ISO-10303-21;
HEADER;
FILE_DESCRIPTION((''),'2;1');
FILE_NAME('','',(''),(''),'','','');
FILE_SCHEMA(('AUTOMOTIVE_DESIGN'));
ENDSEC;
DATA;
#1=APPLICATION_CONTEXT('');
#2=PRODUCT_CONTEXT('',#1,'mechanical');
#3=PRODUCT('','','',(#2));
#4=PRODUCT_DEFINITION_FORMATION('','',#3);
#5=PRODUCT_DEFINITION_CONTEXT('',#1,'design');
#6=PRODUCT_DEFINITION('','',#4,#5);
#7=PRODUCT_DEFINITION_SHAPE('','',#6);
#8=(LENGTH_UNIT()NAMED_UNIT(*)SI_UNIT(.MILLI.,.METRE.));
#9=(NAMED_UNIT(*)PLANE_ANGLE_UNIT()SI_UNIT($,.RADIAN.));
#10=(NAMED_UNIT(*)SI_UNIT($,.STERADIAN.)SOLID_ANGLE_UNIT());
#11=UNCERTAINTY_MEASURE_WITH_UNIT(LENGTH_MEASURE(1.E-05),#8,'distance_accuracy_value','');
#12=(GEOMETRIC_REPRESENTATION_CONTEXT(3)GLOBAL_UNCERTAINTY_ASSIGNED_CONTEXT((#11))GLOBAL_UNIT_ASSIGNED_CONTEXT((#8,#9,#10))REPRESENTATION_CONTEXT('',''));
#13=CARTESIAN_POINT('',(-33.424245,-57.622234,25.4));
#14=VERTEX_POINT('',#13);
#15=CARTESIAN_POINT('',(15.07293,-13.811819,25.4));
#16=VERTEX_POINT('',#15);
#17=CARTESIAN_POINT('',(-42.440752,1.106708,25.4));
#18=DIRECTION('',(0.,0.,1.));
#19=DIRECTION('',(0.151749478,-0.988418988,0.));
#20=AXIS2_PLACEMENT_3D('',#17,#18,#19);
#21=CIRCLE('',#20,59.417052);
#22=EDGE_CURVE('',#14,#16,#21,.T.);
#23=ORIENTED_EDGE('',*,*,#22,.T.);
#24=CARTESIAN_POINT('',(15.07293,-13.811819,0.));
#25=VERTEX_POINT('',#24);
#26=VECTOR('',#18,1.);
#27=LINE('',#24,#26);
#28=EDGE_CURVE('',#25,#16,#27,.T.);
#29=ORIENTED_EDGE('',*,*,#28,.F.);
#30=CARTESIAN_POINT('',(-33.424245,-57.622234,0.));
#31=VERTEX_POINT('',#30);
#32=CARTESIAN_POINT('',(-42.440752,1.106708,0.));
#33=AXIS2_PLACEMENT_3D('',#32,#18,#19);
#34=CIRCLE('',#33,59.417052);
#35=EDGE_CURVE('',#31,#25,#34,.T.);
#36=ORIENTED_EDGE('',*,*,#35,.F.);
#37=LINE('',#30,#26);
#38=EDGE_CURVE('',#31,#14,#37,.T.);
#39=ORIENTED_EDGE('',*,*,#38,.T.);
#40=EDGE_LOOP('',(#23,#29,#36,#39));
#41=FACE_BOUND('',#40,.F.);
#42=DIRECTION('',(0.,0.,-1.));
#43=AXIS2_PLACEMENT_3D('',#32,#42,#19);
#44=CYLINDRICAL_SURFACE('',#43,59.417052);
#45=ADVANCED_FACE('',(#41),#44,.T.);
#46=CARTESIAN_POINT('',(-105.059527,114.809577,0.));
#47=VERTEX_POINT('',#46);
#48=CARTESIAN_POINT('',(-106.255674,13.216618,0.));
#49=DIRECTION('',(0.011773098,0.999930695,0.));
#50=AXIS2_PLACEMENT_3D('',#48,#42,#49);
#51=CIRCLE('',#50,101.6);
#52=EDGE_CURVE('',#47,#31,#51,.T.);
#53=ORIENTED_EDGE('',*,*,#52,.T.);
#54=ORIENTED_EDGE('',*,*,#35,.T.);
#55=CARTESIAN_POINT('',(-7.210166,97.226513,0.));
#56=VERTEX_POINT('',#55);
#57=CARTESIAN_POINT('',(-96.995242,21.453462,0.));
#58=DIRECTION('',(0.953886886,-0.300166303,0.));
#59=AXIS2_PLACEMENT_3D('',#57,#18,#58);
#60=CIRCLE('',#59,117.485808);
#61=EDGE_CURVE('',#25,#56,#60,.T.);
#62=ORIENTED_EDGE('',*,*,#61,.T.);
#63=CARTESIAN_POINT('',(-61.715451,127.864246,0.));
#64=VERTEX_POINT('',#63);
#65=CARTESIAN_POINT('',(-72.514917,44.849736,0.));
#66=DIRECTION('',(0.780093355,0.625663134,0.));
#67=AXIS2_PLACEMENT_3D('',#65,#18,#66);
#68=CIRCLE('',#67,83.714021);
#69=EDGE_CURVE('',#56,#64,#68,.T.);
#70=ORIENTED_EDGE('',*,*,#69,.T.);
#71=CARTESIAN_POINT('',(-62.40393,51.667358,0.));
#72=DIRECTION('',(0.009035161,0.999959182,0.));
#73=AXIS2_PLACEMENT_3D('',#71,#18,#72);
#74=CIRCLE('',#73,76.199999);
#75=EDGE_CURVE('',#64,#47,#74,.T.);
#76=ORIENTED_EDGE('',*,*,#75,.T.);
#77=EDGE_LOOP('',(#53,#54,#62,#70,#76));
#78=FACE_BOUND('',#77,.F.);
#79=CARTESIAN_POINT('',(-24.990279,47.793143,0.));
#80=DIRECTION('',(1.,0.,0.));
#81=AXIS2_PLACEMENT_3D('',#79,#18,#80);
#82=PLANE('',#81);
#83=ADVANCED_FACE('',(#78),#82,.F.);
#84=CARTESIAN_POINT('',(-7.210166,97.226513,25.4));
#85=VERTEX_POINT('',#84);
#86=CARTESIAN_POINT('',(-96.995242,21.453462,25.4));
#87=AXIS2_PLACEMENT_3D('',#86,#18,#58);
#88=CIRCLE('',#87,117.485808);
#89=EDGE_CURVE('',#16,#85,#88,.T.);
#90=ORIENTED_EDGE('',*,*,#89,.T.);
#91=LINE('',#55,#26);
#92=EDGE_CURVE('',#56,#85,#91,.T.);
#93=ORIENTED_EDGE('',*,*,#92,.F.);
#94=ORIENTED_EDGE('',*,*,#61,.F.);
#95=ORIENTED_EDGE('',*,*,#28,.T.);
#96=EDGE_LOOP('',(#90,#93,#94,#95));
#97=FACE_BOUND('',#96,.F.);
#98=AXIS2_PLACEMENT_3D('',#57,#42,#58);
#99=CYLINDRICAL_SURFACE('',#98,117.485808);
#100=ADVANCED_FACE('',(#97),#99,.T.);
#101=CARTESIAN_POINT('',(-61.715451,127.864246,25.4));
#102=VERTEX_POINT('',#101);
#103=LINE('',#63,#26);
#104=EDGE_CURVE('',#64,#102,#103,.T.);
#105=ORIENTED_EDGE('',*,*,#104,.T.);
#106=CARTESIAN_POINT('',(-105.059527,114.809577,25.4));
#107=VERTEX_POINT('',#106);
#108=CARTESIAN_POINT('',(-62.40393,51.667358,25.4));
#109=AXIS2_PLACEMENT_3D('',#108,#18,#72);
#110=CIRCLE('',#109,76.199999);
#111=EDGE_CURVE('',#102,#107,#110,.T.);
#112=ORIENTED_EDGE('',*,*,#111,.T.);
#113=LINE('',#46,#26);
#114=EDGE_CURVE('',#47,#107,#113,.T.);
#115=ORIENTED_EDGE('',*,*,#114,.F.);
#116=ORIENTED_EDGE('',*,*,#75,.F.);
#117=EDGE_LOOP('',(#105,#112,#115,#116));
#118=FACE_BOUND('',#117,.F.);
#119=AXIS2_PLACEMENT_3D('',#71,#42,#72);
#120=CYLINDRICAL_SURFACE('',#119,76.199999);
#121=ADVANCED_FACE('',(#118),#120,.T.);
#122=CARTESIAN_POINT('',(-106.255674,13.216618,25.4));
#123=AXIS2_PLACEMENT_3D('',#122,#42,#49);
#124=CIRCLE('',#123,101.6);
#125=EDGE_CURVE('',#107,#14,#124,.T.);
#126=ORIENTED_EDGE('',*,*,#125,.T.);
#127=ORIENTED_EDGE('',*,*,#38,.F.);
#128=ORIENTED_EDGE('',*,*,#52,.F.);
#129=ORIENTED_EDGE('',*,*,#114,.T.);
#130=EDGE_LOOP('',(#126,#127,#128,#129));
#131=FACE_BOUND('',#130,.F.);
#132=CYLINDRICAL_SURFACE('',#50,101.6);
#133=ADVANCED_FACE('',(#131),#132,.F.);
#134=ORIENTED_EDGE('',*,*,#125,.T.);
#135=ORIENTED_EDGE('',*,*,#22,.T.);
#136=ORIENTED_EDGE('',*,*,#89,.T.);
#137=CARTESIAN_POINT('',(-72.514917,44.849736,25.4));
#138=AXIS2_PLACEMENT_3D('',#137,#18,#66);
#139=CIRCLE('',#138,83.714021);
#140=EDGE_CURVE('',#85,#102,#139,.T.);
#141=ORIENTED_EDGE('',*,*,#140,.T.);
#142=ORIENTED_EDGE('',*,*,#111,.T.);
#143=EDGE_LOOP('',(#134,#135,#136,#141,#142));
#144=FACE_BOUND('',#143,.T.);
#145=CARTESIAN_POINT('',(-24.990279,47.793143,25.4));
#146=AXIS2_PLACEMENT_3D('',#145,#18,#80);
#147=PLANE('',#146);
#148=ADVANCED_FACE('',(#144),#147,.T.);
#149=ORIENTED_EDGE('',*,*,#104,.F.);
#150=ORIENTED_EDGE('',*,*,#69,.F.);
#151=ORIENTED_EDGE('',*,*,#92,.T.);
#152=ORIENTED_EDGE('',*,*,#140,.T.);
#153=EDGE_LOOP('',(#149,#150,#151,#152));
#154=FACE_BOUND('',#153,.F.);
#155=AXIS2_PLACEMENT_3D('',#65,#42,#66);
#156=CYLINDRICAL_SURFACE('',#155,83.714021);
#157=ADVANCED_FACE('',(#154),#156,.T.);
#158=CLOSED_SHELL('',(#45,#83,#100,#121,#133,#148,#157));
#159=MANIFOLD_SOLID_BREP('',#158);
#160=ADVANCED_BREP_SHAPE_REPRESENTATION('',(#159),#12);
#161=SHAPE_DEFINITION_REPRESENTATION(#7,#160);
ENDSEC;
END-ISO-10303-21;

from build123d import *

# Parameters (mm, degrees)
F1_DEPTH = 25.4


with BuildPart() as f1:
    # F0 (on Top) → F1 (new body)
    with BuildSketch(Plane.XY):
        with BuildLine():
            ThreePointArc((-105.059527, 114.809577), (-12.430289, 52.195551), (-33.424245, -57.622234))
            ThreePointArc((-33.424245, -57.622234), (-2.611057, -42.983897), (15.07293, -13.811819))
            ThreePointArc((15.07293, -13.811819), (18.193999, 44.569559), (-7.210166, 97.226513))
            ThreePointArc((-7.210166, 97.226513), (-31.495036, 117.82512), (-61.715451, 127.864246))
            ThreePointArc((-61.715451, 127.864246), (-84.379276, 124.629841), (-105.059527, 114.809577))
        make_face()
    extrude(amount=F1_DEPTH)


solid = f1.part
